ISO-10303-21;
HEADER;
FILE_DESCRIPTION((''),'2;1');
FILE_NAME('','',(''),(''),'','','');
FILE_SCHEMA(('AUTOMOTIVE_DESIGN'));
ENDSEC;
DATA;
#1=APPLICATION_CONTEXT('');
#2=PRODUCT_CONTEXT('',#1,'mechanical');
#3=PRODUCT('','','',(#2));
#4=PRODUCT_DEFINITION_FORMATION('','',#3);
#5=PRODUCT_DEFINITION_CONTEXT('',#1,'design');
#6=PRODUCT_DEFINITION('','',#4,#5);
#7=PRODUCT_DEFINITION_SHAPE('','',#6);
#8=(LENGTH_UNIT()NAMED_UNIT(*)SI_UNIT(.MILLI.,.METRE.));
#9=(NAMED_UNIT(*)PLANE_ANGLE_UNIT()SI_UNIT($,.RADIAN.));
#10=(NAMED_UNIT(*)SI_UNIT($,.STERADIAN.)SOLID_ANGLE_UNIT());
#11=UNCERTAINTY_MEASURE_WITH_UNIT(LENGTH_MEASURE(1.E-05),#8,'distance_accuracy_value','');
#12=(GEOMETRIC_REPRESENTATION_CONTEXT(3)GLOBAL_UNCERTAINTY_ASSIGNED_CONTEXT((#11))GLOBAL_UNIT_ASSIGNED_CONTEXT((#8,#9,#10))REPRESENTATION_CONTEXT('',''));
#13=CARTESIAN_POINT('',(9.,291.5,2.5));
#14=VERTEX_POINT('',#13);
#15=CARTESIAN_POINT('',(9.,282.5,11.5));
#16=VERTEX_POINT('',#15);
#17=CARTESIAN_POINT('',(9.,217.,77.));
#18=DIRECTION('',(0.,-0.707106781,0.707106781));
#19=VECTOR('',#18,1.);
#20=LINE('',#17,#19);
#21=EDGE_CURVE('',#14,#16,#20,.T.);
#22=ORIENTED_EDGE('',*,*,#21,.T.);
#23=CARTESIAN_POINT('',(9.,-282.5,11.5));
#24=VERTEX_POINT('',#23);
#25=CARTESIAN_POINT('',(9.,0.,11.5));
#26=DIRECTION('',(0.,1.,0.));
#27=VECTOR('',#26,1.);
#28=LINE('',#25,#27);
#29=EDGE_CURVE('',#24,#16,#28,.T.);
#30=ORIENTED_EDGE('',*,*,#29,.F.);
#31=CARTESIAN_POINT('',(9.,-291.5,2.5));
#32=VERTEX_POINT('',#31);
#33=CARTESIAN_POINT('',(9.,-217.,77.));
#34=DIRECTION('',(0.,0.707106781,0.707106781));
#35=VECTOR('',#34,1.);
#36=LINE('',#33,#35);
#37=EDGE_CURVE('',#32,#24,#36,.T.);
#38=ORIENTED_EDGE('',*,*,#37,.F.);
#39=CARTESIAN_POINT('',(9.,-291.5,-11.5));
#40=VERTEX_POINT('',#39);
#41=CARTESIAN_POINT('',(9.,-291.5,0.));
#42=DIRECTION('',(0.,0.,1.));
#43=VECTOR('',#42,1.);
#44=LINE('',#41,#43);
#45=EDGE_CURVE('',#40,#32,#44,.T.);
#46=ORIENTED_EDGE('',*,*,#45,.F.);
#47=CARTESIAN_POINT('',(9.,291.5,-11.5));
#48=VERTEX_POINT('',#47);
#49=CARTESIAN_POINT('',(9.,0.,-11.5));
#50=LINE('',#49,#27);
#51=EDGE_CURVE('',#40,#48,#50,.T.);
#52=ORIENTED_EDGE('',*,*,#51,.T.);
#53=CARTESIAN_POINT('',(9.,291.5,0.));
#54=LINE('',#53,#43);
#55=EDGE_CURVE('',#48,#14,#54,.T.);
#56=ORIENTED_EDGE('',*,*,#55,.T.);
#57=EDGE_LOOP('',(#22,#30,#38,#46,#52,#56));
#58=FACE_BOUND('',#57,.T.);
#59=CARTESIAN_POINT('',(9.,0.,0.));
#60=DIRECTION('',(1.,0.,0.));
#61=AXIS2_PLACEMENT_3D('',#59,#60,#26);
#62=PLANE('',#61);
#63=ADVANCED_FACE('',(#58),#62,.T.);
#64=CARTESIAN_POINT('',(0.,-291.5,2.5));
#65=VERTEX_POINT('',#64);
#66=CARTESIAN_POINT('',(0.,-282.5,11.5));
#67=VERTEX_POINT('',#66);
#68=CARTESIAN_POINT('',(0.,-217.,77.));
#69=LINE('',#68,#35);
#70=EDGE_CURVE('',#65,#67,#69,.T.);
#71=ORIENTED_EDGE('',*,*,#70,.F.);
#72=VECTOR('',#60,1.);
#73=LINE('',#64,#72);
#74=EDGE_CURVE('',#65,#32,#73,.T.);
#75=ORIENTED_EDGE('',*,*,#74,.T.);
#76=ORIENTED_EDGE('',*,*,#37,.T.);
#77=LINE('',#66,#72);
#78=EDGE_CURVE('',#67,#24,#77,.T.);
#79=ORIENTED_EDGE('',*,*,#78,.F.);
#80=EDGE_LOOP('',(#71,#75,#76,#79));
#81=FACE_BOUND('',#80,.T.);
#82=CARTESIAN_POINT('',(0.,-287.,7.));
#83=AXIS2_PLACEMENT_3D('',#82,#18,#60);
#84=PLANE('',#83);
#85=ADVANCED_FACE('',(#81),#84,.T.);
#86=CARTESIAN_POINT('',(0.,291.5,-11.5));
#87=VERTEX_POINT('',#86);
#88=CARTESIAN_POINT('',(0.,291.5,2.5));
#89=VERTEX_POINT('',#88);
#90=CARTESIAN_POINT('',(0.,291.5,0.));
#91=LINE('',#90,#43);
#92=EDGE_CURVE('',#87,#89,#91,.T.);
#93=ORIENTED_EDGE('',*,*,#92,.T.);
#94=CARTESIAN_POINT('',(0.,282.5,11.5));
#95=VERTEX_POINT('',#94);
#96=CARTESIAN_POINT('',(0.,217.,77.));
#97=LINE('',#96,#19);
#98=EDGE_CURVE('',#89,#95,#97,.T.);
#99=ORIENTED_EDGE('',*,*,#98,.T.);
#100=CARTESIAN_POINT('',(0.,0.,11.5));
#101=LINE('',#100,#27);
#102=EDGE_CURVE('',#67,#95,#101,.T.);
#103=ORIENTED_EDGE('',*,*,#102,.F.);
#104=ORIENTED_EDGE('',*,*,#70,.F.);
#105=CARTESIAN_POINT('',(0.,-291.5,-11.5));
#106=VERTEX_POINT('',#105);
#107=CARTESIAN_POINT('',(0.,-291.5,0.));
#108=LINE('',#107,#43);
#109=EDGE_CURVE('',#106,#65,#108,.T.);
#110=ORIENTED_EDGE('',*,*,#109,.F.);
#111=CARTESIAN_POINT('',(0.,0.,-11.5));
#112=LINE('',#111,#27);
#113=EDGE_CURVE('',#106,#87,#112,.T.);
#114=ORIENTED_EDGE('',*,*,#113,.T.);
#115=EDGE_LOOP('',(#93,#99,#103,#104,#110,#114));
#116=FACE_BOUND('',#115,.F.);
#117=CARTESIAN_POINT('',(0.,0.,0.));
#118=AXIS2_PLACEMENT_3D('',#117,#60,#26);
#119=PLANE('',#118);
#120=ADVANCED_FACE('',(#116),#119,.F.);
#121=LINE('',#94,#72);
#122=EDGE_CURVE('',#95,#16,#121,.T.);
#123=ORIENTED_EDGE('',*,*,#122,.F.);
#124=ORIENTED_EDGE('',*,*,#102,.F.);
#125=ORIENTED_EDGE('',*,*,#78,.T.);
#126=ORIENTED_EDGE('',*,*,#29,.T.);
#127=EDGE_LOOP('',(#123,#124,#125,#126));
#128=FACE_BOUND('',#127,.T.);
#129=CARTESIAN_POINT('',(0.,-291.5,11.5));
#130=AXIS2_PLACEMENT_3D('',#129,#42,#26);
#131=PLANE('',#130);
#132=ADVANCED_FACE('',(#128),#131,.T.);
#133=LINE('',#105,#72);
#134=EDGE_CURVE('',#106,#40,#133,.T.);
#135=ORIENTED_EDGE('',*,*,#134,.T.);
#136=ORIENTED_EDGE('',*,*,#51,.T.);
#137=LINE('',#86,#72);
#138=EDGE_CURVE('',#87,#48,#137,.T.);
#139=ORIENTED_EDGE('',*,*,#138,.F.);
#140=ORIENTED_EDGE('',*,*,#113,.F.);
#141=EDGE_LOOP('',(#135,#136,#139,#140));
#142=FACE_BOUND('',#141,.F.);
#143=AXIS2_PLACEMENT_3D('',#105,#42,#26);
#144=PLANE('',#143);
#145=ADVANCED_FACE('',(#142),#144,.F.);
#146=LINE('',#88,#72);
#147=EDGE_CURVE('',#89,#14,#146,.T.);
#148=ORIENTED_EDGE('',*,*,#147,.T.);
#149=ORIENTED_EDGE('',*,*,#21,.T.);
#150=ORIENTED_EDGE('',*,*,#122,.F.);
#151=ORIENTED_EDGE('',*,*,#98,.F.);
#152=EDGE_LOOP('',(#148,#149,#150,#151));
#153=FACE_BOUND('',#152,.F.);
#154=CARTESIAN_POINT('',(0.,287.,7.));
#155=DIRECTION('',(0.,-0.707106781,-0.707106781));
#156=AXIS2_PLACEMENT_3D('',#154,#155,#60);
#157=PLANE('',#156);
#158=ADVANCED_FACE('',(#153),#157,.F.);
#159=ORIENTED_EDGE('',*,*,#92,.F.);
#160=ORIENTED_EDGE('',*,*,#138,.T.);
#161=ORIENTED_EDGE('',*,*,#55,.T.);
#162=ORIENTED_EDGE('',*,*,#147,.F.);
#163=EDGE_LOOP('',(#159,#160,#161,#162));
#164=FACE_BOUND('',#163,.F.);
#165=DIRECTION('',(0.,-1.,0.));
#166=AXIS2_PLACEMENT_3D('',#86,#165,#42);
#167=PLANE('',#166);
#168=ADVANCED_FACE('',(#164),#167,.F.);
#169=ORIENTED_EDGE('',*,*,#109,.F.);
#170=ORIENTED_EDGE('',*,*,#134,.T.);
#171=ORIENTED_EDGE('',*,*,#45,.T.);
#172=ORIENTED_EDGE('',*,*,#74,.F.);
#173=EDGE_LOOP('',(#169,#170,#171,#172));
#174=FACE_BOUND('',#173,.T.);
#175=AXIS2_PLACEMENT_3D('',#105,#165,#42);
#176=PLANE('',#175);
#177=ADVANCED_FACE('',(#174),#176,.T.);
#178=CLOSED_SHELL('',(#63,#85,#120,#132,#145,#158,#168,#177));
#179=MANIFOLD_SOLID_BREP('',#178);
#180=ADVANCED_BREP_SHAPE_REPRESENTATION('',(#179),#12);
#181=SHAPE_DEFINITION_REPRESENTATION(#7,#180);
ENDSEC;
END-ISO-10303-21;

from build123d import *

# Parameters (mm, degrees)
F0_W     = 583
F0_H     = 23
F1_DEPTH = 9
F2_SIZE  = 9


with BuildPart() as f1:
    # F0 (on Right) → F1 (new body)
    with BuildSketch(Plane.YZ):
        Rectangle(F0_W, F0_H)
    extrude(amount=F1_DEPTH)

    # F2
    f2_edges = [f1.edges().sort_by_distance(p)[0] for p in [
        (4.5, 291.5, 11.5),
        (4.5, -291.5, 11.5),
    ]]
    chamfer(f2_edges, length=F2_SIZE)


solid = f1.part
